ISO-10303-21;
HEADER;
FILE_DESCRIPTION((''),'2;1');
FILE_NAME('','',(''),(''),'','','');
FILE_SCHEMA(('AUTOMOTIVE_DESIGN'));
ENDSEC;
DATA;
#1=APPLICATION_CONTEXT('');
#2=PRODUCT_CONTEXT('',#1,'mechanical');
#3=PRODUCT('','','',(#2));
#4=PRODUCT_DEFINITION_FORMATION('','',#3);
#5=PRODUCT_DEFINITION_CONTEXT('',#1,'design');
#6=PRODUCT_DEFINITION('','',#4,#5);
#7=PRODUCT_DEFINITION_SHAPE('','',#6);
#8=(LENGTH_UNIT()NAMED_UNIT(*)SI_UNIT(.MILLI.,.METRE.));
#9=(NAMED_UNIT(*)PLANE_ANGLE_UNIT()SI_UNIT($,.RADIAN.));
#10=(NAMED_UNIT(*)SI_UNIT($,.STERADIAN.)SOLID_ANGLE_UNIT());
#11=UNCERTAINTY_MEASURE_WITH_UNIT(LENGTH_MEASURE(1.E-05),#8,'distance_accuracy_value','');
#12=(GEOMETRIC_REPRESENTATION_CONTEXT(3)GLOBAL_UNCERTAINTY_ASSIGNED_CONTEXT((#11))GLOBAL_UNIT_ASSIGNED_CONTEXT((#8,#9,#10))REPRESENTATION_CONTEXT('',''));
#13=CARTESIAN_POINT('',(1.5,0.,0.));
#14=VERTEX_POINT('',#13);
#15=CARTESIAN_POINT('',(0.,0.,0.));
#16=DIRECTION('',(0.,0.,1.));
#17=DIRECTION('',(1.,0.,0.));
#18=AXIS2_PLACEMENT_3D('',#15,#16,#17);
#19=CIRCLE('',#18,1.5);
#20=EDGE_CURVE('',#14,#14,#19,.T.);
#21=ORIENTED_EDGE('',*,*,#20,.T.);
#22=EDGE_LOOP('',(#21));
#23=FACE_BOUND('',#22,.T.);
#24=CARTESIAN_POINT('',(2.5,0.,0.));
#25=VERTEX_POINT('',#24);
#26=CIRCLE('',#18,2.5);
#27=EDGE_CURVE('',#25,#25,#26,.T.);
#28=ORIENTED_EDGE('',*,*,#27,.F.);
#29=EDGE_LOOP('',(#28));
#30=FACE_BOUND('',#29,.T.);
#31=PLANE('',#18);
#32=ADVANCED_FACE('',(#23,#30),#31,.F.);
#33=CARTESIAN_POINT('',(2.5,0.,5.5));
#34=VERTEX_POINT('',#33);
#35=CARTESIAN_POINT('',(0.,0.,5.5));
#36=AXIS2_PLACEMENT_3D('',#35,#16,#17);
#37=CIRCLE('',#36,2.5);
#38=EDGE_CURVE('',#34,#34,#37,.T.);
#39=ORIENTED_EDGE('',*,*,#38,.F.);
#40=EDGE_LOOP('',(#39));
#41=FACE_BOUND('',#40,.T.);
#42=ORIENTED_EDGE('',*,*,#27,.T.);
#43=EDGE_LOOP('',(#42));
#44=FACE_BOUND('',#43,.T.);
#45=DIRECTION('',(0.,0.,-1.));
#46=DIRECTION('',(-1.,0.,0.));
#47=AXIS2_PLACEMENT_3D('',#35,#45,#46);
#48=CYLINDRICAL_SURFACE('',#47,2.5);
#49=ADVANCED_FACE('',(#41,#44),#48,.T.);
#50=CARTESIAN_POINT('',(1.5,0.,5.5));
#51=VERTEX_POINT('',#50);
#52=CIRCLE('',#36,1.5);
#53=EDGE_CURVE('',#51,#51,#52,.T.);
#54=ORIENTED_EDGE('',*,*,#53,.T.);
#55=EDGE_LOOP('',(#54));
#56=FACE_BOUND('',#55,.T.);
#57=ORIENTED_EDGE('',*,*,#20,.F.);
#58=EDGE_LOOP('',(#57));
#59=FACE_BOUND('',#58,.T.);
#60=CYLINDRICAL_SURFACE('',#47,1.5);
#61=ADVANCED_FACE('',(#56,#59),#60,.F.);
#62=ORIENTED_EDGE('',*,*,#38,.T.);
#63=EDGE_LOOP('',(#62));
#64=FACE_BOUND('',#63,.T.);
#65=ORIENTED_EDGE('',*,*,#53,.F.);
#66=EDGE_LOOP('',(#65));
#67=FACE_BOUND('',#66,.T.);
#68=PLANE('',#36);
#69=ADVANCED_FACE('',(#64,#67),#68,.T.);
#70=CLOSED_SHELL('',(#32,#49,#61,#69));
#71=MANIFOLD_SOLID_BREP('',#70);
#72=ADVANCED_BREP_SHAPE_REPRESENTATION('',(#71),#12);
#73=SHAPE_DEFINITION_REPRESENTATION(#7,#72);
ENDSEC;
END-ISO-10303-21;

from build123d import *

# Parameters (mm, degrees)
SKETCH2_R           = 2.5
SKETCH2_R_2         = 1.5
BOSS_EXTRUDE1_DEPTH = 5.5


with BuildPart() as part:
    # Sketch2 → Boss-Extrude1 (new body)
    with BuildSketch(Plane.XY):
        Circle(SKETCH2_R)
        Circle(SKETCH2_R_2, mode=Mode.SUBTRACT)
    extrude(amount=BOSS_EXTRUDE1_DEPTH)


solid = part.part
